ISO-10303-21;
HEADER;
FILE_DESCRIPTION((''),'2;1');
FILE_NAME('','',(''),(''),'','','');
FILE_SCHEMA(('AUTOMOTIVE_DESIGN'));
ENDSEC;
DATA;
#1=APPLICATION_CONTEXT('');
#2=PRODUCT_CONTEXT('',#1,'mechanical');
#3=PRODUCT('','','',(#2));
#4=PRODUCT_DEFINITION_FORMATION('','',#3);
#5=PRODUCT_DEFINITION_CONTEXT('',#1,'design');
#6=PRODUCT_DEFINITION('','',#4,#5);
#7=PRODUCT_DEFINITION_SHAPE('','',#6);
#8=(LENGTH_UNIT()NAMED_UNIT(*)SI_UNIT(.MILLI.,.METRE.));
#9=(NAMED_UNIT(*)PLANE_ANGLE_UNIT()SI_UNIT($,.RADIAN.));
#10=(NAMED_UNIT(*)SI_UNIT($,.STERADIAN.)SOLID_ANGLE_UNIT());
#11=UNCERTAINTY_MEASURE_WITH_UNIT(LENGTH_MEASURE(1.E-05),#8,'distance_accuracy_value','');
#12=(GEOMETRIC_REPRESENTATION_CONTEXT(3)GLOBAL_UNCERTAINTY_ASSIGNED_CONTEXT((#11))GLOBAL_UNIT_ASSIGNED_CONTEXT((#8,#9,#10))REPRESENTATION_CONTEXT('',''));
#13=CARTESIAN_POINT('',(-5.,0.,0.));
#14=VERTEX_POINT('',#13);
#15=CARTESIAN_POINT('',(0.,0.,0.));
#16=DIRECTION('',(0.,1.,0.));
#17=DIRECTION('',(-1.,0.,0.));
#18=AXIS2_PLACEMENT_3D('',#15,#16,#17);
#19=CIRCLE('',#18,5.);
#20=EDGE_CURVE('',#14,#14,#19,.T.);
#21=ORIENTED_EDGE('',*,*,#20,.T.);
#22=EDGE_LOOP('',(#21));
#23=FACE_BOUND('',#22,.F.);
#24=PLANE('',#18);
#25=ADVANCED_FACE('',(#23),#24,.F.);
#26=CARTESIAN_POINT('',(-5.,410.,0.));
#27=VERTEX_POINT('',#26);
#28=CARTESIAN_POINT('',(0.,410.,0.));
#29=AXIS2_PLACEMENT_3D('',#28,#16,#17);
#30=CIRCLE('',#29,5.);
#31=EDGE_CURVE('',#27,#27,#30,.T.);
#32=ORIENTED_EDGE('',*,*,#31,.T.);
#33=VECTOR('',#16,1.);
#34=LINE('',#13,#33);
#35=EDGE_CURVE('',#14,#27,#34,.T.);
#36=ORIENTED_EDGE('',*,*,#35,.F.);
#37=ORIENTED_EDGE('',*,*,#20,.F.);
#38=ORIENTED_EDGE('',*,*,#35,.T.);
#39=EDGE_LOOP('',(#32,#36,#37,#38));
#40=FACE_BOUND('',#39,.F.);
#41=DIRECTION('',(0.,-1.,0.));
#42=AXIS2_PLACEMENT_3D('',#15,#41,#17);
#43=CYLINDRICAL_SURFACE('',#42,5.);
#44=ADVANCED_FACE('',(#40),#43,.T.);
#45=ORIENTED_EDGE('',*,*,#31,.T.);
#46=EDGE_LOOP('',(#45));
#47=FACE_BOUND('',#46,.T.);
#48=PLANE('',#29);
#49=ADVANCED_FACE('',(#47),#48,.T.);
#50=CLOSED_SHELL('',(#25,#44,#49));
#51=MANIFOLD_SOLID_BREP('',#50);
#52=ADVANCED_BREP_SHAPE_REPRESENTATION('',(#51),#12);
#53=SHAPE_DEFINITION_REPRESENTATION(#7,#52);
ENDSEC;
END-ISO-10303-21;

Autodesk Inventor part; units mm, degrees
ref_plane "YZ Plane" through (0, 0, 0) normal (1, 0, 0) x (0, 1, 0)
ref_plane "XZ Plane" through (0, 0, 0) normal (0, 1, 0) x (-1, 0, 0)
ref_plane "XY Plane" through (0, 0, 0) normal (0, 0, 1) x (1, 0, 0)
sketch "Sketch1" plane through (0, 0, 0) normal (0, 1, 0) x (-1, 0, 0)
  circle A0 centre (0, 0) radius 5
  dimension "d0" = 10
extrude "Extrusion1" add sketch "Sketch1" along normal blind 410
thread "Thread1" size "M10x1.5" class "6g" standard "ANSI Metric M Profile" full length
properties part number "M8x410"
